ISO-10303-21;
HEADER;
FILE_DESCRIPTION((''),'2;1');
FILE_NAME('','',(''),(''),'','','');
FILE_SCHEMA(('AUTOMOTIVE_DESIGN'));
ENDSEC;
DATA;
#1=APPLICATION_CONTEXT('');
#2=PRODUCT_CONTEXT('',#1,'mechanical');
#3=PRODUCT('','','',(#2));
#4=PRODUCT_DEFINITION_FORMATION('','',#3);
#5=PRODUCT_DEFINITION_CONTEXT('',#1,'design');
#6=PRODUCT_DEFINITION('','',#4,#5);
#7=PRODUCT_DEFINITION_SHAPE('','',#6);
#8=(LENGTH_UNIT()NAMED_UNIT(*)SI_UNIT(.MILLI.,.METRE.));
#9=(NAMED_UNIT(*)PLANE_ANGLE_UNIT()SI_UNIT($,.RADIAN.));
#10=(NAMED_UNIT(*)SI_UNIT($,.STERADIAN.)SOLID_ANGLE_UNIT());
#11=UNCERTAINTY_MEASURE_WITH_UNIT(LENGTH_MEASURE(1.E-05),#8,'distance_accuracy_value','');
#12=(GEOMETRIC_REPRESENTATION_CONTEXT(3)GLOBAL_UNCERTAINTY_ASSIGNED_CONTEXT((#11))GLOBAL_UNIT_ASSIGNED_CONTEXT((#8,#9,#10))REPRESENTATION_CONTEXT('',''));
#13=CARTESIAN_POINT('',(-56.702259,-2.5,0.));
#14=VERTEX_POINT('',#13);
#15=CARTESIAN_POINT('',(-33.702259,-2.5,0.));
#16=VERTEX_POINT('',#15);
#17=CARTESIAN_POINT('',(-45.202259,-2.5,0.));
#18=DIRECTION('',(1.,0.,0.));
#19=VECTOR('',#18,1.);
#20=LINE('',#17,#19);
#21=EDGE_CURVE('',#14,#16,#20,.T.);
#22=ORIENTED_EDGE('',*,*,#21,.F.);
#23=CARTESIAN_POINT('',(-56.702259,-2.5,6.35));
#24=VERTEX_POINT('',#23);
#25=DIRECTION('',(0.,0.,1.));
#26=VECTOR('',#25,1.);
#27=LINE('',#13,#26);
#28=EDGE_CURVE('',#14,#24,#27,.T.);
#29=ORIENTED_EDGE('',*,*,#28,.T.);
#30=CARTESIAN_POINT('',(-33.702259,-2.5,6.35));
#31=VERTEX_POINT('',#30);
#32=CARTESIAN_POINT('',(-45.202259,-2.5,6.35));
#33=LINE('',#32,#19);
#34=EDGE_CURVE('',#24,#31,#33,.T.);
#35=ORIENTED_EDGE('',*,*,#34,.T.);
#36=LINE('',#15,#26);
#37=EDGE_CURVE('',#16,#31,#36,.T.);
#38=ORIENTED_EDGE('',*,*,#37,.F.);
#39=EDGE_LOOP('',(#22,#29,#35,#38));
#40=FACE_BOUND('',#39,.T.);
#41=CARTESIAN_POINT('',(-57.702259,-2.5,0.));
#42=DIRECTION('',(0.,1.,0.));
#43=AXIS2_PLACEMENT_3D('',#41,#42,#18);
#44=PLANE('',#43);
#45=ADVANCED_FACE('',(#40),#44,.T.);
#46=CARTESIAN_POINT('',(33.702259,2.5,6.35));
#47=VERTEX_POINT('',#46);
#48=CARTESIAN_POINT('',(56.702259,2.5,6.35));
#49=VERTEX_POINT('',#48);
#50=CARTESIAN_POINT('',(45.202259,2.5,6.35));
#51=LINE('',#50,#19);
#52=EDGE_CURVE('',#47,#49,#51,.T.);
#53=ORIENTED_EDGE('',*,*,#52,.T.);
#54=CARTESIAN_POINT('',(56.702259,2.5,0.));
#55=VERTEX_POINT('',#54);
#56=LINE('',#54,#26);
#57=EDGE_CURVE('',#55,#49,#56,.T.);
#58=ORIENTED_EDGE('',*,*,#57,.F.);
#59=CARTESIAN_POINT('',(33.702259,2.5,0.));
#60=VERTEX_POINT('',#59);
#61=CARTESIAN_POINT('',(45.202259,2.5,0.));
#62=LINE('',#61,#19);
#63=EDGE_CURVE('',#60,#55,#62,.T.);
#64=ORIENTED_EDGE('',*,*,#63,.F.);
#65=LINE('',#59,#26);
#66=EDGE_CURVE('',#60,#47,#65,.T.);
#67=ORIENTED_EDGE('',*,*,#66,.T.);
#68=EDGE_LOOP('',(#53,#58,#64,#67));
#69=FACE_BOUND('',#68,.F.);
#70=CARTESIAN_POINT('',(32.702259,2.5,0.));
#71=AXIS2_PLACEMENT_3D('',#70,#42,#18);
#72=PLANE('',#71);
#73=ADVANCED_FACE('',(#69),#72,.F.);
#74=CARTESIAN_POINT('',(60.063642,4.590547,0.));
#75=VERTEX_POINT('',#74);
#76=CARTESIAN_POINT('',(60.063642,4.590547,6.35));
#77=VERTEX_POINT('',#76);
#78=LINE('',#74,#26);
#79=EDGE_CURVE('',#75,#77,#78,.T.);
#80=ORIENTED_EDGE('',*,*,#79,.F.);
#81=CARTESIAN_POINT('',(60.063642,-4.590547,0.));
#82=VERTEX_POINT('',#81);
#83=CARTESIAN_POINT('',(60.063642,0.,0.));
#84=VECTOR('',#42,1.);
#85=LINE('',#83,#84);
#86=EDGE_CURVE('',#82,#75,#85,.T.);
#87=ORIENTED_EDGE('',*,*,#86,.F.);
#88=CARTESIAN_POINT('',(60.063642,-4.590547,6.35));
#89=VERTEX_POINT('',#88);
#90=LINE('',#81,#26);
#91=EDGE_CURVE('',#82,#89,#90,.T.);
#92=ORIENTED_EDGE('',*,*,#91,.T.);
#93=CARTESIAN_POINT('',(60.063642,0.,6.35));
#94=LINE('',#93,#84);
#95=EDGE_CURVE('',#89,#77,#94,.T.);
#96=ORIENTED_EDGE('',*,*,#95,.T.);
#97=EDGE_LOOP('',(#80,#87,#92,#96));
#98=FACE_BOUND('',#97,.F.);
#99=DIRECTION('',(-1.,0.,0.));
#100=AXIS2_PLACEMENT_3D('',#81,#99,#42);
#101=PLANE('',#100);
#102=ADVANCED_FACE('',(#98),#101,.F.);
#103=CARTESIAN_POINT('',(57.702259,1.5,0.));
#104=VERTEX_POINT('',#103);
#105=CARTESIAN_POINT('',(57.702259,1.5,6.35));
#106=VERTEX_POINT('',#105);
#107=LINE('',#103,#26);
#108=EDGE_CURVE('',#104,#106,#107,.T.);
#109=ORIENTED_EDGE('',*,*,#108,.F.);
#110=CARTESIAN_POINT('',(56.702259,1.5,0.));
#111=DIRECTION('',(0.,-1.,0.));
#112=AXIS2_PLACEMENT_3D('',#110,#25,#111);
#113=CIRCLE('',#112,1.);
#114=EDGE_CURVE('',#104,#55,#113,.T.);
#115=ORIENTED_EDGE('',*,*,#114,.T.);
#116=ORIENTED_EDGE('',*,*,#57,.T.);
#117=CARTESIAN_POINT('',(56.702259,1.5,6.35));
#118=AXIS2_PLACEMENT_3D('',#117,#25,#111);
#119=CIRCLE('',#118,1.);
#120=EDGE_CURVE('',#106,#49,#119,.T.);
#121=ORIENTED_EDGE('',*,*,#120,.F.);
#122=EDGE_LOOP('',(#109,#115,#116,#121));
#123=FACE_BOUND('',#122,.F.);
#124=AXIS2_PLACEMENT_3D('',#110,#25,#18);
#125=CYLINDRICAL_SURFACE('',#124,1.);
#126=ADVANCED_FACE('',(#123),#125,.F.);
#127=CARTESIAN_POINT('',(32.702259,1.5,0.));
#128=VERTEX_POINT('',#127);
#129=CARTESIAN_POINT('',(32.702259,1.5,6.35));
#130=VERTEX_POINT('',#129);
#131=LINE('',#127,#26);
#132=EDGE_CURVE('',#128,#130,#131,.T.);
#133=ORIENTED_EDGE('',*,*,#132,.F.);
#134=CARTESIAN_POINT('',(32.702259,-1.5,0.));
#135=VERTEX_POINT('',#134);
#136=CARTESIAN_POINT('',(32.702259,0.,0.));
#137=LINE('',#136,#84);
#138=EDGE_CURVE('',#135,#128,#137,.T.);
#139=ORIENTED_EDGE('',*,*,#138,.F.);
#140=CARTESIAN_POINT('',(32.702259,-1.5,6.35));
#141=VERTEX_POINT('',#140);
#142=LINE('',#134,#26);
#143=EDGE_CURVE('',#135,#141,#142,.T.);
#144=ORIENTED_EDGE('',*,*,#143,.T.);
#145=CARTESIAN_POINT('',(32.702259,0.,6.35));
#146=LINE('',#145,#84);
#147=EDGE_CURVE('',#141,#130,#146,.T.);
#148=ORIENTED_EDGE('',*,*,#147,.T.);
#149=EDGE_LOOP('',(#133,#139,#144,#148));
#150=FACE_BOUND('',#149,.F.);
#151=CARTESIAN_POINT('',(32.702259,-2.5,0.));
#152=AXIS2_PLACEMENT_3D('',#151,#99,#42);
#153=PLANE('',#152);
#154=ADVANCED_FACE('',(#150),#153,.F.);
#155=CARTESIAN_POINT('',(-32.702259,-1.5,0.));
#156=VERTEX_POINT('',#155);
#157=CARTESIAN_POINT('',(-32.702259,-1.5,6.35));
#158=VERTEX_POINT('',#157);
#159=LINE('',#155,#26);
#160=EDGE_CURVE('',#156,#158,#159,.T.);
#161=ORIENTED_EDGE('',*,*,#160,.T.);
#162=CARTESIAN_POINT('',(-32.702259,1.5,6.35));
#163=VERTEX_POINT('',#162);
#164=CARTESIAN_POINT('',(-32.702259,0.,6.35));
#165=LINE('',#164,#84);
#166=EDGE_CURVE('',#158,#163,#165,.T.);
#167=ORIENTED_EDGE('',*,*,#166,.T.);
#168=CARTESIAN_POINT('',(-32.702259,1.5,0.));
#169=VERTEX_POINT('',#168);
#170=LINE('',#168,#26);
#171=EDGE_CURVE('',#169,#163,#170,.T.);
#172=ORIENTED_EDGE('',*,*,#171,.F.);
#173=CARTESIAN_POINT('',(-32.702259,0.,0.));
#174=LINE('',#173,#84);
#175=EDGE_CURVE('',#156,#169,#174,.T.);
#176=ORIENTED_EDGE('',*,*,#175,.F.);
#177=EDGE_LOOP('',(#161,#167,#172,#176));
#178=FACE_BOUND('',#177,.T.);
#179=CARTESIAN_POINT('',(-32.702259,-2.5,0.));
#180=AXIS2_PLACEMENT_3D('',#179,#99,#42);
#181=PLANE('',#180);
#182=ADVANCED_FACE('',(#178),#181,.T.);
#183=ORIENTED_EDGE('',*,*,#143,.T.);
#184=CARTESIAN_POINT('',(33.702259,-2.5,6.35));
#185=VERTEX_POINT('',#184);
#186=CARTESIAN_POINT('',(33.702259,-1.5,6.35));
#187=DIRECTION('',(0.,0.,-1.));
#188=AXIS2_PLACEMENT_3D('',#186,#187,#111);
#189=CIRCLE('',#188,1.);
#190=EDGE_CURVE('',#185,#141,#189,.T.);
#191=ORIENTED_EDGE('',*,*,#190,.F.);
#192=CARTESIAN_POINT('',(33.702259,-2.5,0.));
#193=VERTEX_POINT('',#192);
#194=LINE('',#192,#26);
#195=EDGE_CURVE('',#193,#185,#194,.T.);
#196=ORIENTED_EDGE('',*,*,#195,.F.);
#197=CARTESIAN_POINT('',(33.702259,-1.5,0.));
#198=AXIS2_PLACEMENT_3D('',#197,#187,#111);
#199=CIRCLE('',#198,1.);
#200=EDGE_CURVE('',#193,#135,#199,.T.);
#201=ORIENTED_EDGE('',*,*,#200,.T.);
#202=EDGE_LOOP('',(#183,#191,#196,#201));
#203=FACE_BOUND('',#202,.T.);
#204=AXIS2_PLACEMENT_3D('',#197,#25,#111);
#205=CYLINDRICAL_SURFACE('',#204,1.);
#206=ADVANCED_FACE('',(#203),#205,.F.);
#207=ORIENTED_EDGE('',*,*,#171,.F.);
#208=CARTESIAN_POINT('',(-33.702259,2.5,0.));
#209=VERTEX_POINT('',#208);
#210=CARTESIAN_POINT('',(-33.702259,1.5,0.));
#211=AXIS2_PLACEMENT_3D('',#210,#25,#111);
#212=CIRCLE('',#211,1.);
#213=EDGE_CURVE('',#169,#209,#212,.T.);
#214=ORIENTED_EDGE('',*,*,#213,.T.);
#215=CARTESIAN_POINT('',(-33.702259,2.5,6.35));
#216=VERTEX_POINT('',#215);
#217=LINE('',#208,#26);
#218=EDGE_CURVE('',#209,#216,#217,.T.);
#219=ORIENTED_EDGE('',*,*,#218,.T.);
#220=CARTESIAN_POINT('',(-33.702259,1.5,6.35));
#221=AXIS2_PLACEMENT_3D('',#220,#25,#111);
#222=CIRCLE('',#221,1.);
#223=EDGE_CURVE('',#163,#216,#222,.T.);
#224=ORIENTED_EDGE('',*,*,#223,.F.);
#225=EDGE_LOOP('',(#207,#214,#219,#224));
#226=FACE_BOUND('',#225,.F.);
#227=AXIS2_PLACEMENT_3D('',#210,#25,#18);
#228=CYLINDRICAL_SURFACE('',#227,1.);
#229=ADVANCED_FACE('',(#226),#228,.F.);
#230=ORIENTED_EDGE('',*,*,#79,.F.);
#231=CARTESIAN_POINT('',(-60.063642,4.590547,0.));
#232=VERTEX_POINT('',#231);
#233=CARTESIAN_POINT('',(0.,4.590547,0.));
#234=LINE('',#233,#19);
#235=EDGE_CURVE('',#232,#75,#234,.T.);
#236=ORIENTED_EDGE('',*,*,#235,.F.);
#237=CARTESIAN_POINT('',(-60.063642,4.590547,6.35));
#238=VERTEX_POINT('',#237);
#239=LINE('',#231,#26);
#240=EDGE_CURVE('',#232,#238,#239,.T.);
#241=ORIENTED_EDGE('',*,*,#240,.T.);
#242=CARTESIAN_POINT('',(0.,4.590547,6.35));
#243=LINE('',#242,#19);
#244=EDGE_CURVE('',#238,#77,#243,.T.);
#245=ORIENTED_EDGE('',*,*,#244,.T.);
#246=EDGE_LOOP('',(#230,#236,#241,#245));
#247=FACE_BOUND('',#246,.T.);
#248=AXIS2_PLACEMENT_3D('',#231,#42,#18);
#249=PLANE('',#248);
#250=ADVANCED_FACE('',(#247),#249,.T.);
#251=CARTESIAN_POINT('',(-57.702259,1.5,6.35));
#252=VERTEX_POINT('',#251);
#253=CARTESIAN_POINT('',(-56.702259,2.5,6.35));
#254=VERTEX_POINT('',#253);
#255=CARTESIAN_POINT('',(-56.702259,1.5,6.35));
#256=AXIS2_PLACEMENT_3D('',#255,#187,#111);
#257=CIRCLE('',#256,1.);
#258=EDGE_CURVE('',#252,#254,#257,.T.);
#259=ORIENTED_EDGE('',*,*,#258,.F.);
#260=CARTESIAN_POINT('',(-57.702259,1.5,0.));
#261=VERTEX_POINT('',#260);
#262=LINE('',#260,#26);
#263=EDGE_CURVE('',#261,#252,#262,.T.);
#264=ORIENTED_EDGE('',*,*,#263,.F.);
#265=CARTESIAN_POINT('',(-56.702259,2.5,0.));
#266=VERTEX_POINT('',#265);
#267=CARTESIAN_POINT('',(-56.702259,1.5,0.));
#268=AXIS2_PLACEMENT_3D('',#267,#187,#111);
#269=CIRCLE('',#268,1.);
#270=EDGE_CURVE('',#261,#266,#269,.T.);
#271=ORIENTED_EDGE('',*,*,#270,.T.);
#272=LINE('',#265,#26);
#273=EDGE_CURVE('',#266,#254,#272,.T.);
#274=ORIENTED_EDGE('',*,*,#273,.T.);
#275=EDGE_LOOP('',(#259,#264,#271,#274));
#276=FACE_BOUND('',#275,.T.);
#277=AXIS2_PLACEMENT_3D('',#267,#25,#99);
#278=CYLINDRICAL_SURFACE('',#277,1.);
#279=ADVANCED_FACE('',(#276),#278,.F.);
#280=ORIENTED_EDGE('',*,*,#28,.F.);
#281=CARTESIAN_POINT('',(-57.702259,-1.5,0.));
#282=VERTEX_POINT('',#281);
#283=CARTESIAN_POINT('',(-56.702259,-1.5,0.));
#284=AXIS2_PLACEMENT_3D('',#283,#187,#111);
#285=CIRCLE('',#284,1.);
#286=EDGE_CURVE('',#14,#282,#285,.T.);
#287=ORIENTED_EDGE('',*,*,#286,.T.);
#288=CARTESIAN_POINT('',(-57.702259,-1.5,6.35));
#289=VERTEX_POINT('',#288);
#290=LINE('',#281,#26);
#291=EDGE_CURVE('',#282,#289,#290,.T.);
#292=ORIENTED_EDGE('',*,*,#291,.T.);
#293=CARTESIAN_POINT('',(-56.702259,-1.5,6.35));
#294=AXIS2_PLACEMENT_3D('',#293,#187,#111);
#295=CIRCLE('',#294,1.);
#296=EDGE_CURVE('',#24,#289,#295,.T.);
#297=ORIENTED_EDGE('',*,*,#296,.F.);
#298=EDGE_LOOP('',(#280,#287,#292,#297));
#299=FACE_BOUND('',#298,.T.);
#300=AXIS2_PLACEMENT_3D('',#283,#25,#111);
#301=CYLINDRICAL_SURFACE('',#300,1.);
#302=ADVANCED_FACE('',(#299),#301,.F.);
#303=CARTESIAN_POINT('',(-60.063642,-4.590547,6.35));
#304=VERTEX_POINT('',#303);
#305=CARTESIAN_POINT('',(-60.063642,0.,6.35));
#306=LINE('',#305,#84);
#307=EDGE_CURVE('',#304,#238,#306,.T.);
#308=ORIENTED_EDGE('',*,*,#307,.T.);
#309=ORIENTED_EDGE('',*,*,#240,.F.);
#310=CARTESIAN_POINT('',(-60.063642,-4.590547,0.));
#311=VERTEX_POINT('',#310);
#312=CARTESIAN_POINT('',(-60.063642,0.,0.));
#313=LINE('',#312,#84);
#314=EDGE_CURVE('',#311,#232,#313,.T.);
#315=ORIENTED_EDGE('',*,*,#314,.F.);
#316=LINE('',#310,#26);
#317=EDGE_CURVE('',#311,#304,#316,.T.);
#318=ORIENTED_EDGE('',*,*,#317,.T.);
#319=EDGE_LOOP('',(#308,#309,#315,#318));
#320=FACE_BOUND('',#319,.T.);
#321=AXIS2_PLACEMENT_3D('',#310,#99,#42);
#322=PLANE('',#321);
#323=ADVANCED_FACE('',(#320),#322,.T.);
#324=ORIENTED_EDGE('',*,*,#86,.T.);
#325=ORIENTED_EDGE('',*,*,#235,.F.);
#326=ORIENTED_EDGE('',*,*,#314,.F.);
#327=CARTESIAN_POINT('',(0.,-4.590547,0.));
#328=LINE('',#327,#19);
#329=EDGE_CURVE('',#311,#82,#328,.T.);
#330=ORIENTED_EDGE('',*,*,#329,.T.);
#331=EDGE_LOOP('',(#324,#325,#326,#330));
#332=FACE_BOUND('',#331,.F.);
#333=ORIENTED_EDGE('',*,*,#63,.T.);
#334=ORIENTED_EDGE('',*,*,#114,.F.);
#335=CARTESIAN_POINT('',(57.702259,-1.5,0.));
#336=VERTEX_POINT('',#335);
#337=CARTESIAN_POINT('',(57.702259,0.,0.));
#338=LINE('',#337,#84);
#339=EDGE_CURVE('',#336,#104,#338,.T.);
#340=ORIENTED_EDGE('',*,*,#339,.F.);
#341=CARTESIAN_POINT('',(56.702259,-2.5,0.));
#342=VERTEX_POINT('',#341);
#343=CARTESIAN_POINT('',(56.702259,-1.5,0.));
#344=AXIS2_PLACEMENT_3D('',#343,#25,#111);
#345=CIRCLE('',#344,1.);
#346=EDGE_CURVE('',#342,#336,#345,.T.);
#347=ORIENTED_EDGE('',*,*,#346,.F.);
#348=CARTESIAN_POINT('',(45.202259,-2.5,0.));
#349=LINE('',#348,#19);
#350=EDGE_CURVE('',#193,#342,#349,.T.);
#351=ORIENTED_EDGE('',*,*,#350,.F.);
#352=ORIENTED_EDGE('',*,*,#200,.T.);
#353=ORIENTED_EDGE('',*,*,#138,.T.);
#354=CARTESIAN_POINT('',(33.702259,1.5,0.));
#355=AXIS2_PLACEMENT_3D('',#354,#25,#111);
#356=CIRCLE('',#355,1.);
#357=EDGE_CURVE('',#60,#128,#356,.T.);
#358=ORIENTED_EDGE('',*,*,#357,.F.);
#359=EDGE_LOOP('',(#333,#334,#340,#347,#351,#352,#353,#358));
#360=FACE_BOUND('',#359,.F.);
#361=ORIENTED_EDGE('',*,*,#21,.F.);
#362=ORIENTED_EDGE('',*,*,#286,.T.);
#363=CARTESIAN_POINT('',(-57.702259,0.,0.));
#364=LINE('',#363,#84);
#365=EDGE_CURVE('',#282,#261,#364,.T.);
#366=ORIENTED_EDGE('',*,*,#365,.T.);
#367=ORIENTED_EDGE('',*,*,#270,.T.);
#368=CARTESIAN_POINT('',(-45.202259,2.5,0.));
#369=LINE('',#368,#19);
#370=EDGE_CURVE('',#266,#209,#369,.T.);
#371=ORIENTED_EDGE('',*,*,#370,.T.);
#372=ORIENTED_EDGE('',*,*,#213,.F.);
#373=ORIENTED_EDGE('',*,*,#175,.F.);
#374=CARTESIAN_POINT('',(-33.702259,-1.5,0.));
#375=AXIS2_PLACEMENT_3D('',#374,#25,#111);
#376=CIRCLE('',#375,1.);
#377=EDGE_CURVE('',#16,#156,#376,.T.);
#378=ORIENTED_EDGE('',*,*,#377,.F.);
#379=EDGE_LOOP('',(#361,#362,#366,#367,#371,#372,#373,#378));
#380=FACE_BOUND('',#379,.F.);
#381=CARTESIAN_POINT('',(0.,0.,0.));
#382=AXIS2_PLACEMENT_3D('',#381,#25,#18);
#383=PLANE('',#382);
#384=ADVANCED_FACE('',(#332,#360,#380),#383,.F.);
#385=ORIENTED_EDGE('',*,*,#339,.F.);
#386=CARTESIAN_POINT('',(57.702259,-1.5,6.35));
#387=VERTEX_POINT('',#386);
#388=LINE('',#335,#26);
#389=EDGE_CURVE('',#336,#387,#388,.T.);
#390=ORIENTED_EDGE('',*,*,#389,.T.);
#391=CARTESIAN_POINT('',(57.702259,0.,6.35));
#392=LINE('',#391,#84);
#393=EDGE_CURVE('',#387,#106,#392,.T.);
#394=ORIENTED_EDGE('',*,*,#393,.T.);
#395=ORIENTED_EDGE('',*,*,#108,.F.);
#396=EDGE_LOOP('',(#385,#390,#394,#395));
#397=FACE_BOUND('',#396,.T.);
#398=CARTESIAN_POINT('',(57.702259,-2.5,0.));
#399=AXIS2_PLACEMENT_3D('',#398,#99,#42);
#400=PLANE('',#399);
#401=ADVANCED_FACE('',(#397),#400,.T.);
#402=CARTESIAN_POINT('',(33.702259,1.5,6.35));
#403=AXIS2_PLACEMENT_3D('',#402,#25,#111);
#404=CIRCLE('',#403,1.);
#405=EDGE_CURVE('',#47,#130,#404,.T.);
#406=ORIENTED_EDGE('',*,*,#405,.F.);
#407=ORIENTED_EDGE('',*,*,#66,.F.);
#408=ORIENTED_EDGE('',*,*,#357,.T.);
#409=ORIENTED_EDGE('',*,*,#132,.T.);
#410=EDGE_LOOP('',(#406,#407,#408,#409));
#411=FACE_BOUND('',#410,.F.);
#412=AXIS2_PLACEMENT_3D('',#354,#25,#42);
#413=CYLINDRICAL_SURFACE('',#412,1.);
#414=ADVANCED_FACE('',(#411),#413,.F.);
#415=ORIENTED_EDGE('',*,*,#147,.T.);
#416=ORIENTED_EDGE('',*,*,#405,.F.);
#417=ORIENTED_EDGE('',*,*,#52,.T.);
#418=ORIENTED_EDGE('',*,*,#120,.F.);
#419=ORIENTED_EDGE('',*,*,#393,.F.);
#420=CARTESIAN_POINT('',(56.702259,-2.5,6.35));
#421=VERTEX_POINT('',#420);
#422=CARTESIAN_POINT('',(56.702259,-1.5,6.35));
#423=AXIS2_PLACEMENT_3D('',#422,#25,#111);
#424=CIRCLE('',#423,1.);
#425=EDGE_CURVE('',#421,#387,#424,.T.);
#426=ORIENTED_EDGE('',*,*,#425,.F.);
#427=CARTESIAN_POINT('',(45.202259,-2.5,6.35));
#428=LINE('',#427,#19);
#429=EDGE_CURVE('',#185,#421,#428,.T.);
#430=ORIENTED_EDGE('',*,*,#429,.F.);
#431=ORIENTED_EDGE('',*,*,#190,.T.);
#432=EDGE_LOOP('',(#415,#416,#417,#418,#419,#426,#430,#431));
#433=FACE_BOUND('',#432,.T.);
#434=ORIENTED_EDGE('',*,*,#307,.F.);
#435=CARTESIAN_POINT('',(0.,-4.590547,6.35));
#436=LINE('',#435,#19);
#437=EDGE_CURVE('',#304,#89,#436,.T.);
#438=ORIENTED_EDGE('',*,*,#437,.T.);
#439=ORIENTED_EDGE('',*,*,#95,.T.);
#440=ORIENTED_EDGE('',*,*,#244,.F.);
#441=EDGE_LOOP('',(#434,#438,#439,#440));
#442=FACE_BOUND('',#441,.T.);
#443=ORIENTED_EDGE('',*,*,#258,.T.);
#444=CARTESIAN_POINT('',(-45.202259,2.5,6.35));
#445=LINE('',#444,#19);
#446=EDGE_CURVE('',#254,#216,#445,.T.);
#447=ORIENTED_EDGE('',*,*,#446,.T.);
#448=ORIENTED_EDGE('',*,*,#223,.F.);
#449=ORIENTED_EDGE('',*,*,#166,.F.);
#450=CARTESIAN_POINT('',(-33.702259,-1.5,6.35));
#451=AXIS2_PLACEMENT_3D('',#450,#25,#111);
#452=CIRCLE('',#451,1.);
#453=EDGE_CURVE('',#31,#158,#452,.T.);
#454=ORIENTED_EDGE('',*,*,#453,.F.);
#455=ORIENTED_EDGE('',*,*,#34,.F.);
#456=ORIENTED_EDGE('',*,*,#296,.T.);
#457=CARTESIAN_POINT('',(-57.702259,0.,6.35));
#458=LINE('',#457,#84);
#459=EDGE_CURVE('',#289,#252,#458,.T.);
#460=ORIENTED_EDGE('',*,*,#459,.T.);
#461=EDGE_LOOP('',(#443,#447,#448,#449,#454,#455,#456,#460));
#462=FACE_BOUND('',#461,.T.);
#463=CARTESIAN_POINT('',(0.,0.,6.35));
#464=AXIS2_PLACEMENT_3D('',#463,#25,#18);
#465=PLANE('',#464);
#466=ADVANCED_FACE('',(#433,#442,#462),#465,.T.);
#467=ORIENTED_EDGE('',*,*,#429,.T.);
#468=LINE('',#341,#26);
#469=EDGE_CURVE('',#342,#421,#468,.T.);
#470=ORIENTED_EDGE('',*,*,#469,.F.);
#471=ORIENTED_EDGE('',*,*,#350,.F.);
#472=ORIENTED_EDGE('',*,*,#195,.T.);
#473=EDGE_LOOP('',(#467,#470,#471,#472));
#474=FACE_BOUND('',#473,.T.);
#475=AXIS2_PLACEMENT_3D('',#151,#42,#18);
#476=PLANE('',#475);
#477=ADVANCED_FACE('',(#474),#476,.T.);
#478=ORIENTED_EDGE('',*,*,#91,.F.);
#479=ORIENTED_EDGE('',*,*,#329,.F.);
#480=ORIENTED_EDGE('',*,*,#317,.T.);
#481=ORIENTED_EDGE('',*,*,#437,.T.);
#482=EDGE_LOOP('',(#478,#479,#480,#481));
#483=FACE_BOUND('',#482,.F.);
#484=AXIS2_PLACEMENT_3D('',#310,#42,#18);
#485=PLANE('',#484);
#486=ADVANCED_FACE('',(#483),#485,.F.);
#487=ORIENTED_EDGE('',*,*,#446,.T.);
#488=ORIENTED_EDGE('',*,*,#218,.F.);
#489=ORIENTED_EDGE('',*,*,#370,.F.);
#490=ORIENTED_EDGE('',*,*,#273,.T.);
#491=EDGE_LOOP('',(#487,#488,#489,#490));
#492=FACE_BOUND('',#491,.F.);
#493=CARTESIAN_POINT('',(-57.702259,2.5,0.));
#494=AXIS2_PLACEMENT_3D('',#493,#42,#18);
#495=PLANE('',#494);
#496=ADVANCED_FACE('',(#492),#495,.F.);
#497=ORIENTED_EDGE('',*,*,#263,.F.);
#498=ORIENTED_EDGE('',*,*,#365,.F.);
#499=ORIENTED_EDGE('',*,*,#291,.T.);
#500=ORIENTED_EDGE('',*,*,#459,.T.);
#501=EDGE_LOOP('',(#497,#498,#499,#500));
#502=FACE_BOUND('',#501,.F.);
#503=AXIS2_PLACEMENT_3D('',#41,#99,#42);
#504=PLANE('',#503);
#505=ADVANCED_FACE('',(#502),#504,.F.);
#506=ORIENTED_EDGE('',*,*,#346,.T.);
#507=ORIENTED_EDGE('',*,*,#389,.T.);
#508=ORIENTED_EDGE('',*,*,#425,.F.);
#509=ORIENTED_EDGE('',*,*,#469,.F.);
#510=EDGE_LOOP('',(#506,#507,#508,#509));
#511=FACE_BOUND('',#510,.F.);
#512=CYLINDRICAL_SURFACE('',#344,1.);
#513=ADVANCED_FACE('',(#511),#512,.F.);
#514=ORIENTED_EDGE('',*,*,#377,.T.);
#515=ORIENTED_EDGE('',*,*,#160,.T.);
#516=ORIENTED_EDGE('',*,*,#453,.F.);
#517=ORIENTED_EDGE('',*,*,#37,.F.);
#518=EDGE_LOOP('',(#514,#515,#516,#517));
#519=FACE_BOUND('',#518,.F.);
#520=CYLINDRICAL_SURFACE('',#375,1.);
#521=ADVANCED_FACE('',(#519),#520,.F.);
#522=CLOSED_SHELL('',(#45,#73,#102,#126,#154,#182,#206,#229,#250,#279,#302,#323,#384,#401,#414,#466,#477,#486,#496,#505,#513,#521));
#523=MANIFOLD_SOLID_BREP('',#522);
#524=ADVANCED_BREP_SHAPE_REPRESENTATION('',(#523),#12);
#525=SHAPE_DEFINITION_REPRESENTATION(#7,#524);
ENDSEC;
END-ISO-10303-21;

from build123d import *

# Parameters (mm, degrees)
F0_W     = 120.127284
F0_H     = 9.181094
F0_W_2   = 25
F0_H_2   = 5
F1_DEPTH = 6.35
F2_R     = 1


with BuildPart() as f1:
    # F0 (on Top) → F1 (new body)
    with BuildSketch(Plane.XY):
        Rectangle(F0_W, F0_H)
        with Locations((-45.202259, 0)):
            Rectangle(F0_W_2, F0_H_2, mode=Mode.SUBTRACT)
        with Locations((45.202259, 0)):
            Rectangle(F0_W_2, F0_H_2, mode=Mode.SUBTRACT)
    extrude(amount=F1_DEPTH)

    # F2
    f2_edges = [f1.edges().sort_by_distance(p)[0] for p in [
        (-57.702259, 2.5, 3.175),
        (-57.702259, -2.5, 3.175),
        (57.702259, 2.5, 3.175),
        (57.702259, -2.5, 3.175),
        (32.702259, -2.5, 3.175),
        (32.702259, 2.5, 3.175),
        (-32.702259, -2.5, 3.175),
        (-32.702259, 2.5, 3.175),
    ]]
    fillet(f2_edges, radius=F2_R)


solid = f1.part
